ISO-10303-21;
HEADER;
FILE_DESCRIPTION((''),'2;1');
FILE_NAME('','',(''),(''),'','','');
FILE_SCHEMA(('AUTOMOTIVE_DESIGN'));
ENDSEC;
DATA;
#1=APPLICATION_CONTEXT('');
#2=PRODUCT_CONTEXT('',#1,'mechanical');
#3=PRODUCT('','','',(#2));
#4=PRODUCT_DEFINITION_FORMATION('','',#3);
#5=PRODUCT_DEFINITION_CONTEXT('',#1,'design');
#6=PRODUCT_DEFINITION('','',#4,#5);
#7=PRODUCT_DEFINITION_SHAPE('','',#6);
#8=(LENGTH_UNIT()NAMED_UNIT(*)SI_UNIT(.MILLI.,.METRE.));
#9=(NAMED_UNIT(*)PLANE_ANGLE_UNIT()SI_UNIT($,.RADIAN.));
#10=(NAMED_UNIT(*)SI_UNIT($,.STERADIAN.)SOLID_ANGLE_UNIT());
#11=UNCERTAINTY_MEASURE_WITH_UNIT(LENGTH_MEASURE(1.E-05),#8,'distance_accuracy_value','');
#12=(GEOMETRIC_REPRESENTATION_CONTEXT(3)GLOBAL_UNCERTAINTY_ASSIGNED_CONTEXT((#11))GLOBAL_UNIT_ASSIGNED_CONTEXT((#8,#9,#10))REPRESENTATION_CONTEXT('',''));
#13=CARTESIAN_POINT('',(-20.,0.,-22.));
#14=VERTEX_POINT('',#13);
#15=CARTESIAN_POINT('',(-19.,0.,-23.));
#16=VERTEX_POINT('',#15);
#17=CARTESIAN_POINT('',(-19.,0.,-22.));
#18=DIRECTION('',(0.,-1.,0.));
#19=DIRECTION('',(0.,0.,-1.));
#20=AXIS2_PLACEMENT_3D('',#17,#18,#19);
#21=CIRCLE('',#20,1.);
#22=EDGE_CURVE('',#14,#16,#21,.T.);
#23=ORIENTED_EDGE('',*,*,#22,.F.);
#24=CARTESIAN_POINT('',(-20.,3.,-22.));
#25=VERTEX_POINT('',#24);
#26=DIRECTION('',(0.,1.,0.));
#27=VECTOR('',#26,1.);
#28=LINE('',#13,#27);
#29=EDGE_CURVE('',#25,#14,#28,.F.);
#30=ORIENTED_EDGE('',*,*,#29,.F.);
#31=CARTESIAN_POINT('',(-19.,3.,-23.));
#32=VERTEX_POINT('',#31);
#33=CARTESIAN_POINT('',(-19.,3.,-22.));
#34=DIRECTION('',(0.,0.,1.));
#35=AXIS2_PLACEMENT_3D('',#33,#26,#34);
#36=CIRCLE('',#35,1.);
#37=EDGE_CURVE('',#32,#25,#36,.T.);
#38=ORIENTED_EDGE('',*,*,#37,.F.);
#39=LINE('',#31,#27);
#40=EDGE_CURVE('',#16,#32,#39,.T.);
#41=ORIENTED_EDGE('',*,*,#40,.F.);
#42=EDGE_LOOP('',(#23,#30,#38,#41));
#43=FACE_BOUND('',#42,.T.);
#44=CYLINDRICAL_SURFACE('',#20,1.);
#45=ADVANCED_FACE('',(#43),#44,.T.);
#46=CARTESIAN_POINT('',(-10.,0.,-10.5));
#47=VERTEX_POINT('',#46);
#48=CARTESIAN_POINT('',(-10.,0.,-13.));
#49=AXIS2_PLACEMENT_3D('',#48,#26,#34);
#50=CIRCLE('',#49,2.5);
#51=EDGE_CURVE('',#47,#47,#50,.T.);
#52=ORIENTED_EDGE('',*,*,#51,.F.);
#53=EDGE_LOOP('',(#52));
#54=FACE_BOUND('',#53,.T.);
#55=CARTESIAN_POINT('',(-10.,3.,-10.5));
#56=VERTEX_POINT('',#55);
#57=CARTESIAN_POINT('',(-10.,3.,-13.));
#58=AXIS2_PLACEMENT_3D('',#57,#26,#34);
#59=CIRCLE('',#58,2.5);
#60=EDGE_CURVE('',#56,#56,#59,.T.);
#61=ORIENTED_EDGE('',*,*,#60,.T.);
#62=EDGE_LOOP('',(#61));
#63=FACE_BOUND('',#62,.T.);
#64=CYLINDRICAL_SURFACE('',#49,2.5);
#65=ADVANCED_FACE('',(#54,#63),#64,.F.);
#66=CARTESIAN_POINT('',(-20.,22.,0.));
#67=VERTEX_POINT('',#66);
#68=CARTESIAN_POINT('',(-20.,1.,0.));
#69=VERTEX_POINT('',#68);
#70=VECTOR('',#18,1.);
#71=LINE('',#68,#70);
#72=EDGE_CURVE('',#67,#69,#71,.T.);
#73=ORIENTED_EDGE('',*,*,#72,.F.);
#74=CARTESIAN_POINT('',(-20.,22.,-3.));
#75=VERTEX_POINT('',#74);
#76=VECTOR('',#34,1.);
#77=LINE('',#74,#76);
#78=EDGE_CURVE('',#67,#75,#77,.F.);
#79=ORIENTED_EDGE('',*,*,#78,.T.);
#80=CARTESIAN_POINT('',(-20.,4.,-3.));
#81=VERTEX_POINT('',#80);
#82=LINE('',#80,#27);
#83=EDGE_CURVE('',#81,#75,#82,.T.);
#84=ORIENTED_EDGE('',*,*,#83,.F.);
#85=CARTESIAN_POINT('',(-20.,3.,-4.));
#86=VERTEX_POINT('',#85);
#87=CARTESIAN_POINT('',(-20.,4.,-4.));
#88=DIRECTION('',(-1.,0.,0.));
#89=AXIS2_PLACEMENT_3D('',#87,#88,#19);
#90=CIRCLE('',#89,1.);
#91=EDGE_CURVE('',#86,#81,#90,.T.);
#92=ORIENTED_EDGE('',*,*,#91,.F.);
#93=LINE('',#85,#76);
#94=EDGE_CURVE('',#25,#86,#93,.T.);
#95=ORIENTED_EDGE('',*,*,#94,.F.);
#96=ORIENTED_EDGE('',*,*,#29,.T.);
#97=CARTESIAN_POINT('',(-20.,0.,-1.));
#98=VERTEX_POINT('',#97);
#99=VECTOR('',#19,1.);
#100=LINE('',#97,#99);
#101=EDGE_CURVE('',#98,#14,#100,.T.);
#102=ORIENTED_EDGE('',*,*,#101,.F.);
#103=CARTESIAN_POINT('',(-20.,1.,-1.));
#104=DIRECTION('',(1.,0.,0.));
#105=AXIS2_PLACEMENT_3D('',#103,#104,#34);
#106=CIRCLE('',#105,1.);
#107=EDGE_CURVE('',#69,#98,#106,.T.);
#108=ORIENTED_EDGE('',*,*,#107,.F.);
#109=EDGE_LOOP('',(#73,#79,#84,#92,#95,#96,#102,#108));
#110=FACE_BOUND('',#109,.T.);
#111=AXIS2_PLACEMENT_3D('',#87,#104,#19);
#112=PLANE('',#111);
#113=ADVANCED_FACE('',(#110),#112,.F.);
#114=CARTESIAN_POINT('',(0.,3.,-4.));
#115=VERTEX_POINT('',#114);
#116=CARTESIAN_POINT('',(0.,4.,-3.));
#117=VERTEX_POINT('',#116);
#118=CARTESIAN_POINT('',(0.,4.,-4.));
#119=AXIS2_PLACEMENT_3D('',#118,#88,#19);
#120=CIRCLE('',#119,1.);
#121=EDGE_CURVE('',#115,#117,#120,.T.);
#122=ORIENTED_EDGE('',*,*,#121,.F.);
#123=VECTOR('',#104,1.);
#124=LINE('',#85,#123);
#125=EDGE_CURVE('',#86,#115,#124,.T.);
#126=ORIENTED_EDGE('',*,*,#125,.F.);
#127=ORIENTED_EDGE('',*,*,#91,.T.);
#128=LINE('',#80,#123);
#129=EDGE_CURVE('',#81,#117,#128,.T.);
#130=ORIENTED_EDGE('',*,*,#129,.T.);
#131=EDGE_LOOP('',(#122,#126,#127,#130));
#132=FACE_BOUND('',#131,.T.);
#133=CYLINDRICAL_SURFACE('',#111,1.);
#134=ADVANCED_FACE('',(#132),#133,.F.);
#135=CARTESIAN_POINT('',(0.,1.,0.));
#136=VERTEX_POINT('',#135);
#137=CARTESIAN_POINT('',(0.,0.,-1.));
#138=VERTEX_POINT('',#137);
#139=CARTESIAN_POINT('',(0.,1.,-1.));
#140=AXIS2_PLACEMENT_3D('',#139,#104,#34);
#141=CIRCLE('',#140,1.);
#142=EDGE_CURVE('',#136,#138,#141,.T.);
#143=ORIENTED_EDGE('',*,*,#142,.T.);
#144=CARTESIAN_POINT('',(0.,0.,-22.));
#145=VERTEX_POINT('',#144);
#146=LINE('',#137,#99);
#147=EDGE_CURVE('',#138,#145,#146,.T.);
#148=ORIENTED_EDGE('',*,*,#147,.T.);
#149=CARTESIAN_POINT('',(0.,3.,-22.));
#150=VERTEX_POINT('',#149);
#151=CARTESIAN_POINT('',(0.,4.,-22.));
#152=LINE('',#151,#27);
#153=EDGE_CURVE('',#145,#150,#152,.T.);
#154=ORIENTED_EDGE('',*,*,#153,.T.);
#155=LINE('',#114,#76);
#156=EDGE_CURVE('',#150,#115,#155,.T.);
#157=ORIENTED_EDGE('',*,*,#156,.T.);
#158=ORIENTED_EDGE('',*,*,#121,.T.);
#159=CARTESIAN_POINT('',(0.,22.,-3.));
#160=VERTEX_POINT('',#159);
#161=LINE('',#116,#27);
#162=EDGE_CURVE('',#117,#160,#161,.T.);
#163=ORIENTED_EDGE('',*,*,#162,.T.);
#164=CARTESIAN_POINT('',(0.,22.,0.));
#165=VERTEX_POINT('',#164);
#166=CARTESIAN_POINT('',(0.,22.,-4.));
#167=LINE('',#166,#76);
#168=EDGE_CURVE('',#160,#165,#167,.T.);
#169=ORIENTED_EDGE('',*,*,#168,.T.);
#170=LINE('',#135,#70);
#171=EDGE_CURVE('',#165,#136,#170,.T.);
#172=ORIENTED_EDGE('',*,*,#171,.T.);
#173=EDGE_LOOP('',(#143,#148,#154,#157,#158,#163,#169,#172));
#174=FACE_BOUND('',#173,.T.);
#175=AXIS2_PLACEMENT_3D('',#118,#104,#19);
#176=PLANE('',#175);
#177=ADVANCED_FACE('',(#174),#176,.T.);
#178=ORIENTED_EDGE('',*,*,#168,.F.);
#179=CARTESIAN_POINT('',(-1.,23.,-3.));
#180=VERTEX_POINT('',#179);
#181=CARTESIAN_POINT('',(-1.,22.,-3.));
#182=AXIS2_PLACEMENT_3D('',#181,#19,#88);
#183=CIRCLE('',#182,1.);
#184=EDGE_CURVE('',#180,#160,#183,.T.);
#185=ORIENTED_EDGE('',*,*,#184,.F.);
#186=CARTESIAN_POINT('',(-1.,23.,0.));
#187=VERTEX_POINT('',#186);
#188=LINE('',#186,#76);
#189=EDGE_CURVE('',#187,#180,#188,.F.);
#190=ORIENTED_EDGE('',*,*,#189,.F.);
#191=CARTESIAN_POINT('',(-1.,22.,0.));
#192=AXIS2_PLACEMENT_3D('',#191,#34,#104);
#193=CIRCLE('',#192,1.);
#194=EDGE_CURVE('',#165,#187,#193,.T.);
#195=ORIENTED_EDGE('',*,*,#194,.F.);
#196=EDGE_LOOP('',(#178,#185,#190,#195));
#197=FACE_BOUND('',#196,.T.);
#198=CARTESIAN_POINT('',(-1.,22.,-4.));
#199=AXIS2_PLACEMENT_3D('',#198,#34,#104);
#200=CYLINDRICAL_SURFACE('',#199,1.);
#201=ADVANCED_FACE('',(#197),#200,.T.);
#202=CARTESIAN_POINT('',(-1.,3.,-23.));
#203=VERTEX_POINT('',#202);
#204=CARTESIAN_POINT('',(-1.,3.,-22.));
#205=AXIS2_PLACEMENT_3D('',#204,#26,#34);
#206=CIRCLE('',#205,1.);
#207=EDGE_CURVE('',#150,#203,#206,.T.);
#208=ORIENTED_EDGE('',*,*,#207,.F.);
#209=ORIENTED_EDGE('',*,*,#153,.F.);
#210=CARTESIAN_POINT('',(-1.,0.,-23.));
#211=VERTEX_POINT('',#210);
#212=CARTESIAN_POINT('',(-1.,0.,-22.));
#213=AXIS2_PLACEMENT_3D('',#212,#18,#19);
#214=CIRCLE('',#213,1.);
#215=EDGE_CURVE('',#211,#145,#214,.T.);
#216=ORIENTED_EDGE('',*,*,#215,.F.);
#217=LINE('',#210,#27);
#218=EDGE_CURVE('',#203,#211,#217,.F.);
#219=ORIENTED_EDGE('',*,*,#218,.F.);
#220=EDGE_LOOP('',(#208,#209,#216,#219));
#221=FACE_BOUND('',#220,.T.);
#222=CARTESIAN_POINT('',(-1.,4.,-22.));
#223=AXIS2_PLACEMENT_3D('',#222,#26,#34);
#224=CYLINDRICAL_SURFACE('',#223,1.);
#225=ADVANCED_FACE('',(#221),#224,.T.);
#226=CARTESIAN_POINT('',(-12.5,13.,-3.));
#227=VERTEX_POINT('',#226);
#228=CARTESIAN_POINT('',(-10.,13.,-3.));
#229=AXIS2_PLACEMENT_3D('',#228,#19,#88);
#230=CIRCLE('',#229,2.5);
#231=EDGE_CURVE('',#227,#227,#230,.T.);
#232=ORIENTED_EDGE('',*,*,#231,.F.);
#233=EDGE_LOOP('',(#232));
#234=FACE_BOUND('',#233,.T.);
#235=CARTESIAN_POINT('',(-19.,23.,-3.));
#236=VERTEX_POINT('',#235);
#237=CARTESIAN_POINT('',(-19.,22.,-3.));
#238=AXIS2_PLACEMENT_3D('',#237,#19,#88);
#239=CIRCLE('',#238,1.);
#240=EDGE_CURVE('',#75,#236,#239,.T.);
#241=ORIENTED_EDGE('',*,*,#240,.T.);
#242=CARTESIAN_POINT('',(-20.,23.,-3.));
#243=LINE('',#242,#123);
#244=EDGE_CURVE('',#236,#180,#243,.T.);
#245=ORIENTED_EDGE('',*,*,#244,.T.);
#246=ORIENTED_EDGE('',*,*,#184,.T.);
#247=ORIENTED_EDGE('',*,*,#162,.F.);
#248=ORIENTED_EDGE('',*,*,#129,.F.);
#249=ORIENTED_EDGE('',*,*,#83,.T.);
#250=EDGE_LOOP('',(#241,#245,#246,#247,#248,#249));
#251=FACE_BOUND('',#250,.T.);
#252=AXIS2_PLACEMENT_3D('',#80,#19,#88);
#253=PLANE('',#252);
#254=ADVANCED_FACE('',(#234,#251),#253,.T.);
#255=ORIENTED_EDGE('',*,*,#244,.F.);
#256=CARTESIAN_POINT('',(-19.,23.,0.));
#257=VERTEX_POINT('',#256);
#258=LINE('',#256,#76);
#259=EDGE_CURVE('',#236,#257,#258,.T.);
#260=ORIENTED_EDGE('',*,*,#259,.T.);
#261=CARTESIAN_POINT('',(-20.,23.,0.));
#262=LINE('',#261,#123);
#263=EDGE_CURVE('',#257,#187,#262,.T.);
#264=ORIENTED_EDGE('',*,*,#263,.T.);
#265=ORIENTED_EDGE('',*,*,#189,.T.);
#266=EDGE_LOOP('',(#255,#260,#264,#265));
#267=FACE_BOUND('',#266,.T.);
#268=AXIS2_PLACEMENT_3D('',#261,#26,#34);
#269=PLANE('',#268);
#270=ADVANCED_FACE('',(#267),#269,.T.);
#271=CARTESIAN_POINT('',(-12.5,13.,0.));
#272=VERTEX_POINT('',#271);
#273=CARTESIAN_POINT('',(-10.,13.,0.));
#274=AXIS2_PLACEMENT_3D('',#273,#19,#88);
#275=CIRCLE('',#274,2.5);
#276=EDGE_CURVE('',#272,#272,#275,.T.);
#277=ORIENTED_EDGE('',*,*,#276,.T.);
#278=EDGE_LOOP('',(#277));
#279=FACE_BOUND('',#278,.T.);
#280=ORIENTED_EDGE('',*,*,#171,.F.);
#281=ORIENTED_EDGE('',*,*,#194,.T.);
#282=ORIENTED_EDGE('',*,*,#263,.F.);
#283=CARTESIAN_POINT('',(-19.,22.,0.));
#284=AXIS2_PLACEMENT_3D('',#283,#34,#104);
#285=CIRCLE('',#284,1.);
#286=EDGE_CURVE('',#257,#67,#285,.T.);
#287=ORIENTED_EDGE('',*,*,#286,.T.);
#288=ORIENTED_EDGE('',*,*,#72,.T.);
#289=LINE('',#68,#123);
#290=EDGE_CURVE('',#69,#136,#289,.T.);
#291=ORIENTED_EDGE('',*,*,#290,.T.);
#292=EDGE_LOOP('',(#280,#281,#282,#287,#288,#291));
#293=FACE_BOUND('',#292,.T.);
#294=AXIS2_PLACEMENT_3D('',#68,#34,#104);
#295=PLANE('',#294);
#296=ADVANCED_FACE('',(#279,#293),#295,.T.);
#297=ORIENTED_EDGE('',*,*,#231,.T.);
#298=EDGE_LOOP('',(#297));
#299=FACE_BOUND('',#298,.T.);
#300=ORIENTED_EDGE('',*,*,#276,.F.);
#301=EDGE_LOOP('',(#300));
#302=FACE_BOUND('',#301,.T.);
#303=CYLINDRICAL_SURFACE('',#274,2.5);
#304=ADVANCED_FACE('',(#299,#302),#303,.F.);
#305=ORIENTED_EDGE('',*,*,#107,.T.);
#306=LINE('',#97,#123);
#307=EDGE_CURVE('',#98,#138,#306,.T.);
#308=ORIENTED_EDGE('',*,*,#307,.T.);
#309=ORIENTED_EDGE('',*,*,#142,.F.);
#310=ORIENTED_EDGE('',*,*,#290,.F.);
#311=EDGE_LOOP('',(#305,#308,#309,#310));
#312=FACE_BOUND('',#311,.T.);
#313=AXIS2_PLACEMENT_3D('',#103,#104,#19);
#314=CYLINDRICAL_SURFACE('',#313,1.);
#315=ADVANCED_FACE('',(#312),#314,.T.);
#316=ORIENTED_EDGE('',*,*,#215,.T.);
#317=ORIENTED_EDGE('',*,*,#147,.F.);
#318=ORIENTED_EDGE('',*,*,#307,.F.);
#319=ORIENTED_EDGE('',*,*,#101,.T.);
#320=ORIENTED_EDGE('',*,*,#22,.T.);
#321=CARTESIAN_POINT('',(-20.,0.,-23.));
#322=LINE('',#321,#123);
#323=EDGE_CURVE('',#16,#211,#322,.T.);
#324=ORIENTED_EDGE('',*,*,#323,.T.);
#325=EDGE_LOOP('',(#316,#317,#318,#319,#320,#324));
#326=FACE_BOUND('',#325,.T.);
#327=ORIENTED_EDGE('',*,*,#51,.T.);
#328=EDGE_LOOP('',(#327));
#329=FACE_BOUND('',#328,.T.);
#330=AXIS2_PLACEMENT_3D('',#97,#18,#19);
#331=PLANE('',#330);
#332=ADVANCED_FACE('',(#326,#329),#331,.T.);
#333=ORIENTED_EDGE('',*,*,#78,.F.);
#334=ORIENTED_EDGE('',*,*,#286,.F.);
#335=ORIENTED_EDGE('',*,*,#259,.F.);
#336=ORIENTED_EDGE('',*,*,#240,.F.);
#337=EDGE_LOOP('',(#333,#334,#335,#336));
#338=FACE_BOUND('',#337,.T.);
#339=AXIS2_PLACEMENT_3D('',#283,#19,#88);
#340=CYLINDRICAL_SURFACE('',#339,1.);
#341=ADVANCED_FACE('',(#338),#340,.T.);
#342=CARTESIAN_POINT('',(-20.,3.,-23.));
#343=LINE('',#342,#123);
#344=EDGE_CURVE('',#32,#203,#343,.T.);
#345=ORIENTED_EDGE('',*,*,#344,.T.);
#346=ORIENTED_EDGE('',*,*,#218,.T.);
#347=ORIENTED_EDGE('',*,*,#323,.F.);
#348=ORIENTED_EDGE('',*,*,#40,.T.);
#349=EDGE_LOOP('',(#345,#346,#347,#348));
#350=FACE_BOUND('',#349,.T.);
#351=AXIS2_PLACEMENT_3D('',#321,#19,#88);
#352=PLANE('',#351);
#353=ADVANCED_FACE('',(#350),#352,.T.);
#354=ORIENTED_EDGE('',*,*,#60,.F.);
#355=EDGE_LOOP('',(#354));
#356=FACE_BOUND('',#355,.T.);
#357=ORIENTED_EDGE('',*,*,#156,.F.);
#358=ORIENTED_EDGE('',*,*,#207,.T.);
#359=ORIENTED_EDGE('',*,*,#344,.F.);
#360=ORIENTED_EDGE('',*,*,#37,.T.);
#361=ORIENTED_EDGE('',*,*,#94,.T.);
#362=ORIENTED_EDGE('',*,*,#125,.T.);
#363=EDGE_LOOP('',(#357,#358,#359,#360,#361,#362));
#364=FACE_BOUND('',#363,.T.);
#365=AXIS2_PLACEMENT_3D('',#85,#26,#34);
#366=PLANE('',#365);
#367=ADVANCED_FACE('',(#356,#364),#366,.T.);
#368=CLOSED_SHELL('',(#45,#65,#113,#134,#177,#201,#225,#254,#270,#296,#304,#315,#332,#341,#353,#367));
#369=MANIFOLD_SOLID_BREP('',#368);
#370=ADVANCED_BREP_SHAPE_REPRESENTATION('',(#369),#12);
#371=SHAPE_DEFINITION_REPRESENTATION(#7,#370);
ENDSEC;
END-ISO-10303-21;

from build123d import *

# Parameters (mm, degrees)
BOSS_EXTRUDE1_DEPTH = 20
FILLET1_R           = 1
SKETCH3_R           = 2.5
CUT_EXTRUDE1_DEPTH  = 37.455452267
SKETCH4_R           = 2.5
CUT_EXTRUDE2_DEPTH  = 37.455452267


with BuildPart() as part:
    # Sketch2 → Boss-Extrude1 (new body)
    with BuildSketch(Plane(origin=(0, 0, 0), x_dir=(0, 0, -1), z_dir=(1, 0, 0))):
        with BuildLine():
            Line((1, 0), (23, 0))
            Line((23, 0), (23, 3))
            Line((23, 3), (4, 3))
            ThreePointArc((4, 3), (3.292893219, 3.292893219), (3, 4))
            Line((3, 4), (3, 23))
            Line((3, 23), (0, 23))
            Line((0, 23), (0, 1))
            ThreePointArc((0, 1), (0.292893219, 0.292893219), (1, 0))
        make_face()
    extrude(amount=-BOSS_EXTRUDE1_DEPTH)

    # Fillet1
    fillet1_edges = [part.edges().sort_by_distance(p)[0] for p in [
        (0, 1.5, -23),
        (-20, 23, -1.5),
        (-20, 1.5, -23),
        (0, 23, -1.5),
    ]]
    fillet(fillet1_edges, radius=FILLET1_R)

    # Sketch3 → Cut-Extrude1 (cut, through all)
    with BuildSketch(Plane(origin=(0, 0, -3), x_dir=(-1, 0, 0), z_dir=(0, 0, -1))):
        with Locations((10, 13)):
            Circle(SKETCH3_R)
    extrude(amount=-CUT_EXTRUDE1_DEPTH, mode=Mode.SUBTRACT)

    # Sketch4 → Cut-Extrude2 (cut, through all)
    with BuildSketch(Plane(origin=(0, 3, 0), x_dir=(1, 0, 0), z_dir=(0, 1, 0))):
        with Locations(Location((-10, 13, 0), (0, 0, 270))):
            Circle(SKETCH4_R)
    extrude(amount=-CUT_EXTRUDE2_DEPTH, mode=Mode.SUBTRACT)


solid = part.part
